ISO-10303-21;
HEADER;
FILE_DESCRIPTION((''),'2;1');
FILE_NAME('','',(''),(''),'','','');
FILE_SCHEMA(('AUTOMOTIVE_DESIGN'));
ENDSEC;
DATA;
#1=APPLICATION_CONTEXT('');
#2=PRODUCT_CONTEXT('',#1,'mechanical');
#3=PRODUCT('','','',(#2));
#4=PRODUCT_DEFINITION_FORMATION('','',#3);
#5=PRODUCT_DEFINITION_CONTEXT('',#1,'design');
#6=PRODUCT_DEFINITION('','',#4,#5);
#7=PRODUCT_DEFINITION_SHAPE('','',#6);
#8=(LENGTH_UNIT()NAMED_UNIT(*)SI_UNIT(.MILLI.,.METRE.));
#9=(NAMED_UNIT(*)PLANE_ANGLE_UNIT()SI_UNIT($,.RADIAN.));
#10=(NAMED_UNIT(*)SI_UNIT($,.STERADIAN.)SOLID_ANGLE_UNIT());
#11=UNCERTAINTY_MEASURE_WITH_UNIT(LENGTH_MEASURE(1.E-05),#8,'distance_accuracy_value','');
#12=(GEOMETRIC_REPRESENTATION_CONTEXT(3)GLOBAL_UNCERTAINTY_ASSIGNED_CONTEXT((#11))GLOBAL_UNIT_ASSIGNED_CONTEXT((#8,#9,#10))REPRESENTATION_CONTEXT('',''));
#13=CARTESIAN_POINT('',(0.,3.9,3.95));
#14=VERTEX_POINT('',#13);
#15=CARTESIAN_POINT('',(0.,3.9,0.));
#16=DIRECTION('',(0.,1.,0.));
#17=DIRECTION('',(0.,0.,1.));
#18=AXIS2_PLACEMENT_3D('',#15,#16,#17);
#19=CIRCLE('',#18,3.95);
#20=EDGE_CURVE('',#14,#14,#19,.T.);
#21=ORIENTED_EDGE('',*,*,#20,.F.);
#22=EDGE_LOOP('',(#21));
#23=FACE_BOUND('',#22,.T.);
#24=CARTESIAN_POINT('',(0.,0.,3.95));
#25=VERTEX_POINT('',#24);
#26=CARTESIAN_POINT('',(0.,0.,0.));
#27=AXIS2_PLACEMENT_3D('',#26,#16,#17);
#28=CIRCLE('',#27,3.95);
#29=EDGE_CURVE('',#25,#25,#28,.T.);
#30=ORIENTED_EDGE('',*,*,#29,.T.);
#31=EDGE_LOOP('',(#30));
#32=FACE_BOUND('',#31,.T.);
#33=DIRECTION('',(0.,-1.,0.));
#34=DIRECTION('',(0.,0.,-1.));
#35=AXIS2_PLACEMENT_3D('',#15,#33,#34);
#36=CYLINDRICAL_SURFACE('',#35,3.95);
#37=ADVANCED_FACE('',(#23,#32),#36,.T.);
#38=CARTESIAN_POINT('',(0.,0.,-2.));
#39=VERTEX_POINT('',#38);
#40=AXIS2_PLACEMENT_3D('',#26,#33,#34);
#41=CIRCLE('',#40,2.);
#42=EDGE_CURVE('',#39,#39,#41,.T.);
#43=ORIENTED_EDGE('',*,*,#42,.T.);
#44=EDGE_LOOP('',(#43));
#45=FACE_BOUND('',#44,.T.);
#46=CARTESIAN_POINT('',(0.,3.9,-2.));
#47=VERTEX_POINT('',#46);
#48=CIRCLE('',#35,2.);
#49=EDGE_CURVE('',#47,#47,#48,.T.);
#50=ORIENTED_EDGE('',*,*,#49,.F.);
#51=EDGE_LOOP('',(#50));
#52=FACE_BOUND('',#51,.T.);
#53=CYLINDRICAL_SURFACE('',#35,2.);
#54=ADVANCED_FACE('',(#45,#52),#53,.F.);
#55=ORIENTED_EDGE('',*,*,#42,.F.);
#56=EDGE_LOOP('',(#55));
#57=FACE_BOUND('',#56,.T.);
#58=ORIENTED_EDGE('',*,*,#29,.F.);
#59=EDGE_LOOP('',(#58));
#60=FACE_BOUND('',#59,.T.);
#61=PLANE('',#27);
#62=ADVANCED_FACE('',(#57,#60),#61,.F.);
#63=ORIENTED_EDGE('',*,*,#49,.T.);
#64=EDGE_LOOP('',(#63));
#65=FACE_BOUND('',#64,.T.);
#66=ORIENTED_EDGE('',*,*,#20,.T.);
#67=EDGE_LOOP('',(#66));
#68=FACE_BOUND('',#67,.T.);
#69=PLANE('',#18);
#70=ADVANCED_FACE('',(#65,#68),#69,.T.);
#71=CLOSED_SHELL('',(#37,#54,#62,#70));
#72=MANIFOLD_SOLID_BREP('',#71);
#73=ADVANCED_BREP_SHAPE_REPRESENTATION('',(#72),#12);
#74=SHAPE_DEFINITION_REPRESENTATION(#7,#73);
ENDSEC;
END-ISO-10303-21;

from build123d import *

# Parameters (mm, degrees)
SKIZZE2_R                       = 3.95
AUFSATZ_LINEAR_AUSTRAGEN1_DEPTH = 3.9
SKIZZE3_R                       = 2
SCHNITT_LINEAR_AUSTRAGEN1_DEPTH = 3.9


with BuildPart() as part:
    # Skizze2 → Aufsatz-Linear austragen1 (new body)
    with BuildSketch(Plane(origin=(0, 0, 0), x_dir=(1, 0, 0), z_dir=(0, 1, 0))):
        with Locations(Location((0, 0, 0), (0, 0, 270))):
            Circle(SKIZZE2_R)
    extrude(amount=AUFSATZ_LINEAR_AUSTRAGEN1_DEPTH)

    # Skizze3 → Schnitt-Linear austragen1 (cut)
    with BuildSketch(Plane.XZ):
        with Locations(Location((0, 0, 0), (0, 0, 270))):
            Circle(SKIZZE3_R)
    extrude(amount=-SCHNITT_LINEAR_AUSTRAGEN1_DEPTH, mode=Mode.SUBTRACT)


solid = part.part
